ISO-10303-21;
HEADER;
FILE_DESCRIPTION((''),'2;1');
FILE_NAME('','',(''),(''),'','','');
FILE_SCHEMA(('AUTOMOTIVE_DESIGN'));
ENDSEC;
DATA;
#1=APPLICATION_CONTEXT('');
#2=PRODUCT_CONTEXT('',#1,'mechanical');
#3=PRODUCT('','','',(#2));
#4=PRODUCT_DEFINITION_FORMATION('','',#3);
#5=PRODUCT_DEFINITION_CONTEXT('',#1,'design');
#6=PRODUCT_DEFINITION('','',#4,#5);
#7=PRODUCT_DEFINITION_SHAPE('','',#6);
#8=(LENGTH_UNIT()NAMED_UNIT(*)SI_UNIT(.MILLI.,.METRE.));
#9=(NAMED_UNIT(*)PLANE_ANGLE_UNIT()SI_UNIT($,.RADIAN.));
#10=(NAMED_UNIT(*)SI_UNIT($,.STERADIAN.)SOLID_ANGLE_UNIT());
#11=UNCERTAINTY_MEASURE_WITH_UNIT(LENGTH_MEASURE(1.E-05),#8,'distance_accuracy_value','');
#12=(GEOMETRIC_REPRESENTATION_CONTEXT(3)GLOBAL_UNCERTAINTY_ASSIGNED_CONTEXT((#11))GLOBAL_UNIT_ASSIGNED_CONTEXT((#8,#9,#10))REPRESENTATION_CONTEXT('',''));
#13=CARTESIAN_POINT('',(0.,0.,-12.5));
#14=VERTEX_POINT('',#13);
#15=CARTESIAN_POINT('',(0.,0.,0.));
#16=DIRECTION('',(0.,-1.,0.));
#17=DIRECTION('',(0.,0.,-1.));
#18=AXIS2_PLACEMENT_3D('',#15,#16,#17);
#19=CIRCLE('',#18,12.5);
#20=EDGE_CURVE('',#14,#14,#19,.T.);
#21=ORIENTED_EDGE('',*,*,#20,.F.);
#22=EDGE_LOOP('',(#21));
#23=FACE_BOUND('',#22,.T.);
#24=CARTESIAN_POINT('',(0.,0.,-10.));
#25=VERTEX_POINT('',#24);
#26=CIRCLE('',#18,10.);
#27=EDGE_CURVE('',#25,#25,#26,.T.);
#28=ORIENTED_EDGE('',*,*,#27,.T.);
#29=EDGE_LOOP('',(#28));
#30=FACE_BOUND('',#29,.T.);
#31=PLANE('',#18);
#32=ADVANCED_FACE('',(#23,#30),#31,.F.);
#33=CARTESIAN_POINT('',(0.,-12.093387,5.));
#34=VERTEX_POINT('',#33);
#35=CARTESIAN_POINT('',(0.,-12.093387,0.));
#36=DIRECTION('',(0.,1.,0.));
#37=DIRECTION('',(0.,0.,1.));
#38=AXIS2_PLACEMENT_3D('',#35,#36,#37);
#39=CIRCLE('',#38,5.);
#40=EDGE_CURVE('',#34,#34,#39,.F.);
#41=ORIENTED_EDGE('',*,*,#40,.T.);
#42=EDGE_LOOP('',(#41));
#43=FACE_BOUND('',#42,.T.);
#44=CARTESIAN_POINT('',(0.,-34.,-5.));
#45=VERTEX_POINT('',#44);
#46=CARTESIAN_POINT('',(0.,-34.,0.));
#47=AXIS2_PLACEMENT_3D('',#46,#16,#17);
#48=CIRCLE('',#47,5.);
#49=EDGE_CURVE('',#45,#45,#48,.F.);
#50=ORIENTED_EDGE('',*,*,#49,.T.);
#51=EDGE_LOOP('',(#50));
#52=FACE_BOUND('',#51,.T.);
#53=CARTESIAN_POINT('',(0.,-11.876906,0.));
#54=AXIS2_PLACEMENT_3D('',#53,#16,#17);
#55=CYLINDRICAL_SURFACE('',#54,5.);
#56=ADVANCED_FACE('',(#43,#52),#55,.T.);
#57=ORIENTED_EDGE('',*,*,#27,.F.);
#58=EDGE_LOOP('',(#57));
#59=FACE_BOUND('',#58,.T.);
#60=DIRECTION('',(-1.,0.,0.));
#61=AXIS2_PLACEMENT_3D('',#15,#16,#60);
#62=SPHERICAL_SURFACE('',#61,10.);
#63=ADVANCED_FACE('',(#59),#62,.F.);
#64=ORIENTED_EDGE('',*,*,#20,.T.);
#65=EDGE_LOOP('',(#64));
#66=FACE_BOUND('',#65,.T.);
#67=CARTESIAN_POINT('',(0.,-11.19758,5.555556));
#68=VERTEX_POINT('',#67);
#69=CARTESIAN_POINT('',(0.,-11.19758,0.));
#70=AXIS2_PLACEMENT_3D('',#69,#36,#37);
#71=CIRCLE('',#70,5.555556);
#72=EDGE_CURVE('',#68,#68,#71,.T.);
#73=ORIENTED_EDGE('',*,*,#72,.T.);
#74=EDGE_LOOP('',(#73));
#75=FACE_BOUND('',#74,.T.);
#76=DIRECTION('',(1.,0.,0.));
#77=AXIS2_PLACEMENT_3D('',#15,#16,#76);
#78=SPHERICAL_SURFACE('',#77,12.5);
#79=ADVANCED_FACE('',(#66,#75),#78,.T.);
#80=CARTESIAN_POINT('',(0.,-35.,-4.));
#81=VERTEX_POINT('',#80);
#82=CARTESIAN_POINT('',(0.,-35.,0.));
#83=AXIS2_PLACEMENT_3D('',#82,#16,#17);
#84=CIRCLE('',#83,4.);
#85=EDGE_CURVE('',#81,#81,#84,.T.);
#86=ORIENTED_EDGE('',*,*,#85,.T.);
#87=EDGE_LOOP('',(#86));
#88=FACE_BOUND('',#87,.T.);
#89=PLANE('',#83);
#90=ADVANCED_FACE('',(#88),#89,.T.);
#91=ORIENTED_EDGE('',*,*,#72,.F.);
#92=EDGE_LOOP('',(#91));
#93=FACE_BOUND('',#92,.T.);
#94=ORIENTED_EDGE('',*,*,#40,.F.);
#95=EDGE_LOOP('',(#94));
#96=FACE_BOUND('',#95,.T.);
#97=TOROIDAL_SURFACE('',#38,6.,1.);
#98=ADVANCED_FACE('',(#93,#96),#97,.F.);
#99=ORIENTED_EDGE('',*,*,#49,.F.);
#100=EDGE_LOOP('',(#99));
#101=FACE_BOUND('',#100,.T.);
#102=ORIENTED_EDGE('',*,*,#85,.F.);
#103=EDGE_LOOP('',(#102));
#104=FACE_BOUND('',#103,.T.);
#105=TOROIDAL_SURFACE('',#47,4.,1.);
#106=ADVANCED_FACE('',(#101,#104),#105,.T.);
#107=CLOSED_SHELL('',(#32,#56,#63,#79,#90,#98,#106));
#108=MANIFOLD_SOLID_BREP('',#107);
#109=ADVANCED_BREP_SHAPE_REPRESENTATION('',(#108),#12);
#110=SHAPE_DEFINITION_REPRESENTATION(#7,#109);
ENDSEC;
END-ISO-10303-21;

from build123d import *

# Parameters (mm, degrees)
FILLET1_R = 1


with BuildPart() as part:
    # Sketch1 → Revolve2 (revolve)
    with BuildSketch(Plane.XY, mode=Mode.PRIVATE) as revolve2_sk:
        with BuildLine():
            Line((12.5, 0), (10, 0))
            ThreePointArc((10, 0), (7.071067812, -7.071067812), (0, -10))
            Line((0, -10), (0, -35))
            Line((0, -35), (5, -35))
            Line((5, -35), (5, -11.456439237))
            ThreePointArc((5, -11.456439237), (10.458250332, -6.846531969), (12.5, 0))
        make_face()
    revolve(revolve2_sk.sketch.rotate(Axis((0, -11.87690577, 0), (0, 1, 0)), 90), axis=Axis((0, -11.87690577, 0), (0, 1, 0)))

    # Fillet1
    fillet1_edges = [part.edges().sort_by_distance(p)[0] for p in [
        (0, -11.456439237, 5),
        (0, -35, 5),
    ]]
    fillet(fillet1_edges, radius=FILLET1_R)


solid = part.part
